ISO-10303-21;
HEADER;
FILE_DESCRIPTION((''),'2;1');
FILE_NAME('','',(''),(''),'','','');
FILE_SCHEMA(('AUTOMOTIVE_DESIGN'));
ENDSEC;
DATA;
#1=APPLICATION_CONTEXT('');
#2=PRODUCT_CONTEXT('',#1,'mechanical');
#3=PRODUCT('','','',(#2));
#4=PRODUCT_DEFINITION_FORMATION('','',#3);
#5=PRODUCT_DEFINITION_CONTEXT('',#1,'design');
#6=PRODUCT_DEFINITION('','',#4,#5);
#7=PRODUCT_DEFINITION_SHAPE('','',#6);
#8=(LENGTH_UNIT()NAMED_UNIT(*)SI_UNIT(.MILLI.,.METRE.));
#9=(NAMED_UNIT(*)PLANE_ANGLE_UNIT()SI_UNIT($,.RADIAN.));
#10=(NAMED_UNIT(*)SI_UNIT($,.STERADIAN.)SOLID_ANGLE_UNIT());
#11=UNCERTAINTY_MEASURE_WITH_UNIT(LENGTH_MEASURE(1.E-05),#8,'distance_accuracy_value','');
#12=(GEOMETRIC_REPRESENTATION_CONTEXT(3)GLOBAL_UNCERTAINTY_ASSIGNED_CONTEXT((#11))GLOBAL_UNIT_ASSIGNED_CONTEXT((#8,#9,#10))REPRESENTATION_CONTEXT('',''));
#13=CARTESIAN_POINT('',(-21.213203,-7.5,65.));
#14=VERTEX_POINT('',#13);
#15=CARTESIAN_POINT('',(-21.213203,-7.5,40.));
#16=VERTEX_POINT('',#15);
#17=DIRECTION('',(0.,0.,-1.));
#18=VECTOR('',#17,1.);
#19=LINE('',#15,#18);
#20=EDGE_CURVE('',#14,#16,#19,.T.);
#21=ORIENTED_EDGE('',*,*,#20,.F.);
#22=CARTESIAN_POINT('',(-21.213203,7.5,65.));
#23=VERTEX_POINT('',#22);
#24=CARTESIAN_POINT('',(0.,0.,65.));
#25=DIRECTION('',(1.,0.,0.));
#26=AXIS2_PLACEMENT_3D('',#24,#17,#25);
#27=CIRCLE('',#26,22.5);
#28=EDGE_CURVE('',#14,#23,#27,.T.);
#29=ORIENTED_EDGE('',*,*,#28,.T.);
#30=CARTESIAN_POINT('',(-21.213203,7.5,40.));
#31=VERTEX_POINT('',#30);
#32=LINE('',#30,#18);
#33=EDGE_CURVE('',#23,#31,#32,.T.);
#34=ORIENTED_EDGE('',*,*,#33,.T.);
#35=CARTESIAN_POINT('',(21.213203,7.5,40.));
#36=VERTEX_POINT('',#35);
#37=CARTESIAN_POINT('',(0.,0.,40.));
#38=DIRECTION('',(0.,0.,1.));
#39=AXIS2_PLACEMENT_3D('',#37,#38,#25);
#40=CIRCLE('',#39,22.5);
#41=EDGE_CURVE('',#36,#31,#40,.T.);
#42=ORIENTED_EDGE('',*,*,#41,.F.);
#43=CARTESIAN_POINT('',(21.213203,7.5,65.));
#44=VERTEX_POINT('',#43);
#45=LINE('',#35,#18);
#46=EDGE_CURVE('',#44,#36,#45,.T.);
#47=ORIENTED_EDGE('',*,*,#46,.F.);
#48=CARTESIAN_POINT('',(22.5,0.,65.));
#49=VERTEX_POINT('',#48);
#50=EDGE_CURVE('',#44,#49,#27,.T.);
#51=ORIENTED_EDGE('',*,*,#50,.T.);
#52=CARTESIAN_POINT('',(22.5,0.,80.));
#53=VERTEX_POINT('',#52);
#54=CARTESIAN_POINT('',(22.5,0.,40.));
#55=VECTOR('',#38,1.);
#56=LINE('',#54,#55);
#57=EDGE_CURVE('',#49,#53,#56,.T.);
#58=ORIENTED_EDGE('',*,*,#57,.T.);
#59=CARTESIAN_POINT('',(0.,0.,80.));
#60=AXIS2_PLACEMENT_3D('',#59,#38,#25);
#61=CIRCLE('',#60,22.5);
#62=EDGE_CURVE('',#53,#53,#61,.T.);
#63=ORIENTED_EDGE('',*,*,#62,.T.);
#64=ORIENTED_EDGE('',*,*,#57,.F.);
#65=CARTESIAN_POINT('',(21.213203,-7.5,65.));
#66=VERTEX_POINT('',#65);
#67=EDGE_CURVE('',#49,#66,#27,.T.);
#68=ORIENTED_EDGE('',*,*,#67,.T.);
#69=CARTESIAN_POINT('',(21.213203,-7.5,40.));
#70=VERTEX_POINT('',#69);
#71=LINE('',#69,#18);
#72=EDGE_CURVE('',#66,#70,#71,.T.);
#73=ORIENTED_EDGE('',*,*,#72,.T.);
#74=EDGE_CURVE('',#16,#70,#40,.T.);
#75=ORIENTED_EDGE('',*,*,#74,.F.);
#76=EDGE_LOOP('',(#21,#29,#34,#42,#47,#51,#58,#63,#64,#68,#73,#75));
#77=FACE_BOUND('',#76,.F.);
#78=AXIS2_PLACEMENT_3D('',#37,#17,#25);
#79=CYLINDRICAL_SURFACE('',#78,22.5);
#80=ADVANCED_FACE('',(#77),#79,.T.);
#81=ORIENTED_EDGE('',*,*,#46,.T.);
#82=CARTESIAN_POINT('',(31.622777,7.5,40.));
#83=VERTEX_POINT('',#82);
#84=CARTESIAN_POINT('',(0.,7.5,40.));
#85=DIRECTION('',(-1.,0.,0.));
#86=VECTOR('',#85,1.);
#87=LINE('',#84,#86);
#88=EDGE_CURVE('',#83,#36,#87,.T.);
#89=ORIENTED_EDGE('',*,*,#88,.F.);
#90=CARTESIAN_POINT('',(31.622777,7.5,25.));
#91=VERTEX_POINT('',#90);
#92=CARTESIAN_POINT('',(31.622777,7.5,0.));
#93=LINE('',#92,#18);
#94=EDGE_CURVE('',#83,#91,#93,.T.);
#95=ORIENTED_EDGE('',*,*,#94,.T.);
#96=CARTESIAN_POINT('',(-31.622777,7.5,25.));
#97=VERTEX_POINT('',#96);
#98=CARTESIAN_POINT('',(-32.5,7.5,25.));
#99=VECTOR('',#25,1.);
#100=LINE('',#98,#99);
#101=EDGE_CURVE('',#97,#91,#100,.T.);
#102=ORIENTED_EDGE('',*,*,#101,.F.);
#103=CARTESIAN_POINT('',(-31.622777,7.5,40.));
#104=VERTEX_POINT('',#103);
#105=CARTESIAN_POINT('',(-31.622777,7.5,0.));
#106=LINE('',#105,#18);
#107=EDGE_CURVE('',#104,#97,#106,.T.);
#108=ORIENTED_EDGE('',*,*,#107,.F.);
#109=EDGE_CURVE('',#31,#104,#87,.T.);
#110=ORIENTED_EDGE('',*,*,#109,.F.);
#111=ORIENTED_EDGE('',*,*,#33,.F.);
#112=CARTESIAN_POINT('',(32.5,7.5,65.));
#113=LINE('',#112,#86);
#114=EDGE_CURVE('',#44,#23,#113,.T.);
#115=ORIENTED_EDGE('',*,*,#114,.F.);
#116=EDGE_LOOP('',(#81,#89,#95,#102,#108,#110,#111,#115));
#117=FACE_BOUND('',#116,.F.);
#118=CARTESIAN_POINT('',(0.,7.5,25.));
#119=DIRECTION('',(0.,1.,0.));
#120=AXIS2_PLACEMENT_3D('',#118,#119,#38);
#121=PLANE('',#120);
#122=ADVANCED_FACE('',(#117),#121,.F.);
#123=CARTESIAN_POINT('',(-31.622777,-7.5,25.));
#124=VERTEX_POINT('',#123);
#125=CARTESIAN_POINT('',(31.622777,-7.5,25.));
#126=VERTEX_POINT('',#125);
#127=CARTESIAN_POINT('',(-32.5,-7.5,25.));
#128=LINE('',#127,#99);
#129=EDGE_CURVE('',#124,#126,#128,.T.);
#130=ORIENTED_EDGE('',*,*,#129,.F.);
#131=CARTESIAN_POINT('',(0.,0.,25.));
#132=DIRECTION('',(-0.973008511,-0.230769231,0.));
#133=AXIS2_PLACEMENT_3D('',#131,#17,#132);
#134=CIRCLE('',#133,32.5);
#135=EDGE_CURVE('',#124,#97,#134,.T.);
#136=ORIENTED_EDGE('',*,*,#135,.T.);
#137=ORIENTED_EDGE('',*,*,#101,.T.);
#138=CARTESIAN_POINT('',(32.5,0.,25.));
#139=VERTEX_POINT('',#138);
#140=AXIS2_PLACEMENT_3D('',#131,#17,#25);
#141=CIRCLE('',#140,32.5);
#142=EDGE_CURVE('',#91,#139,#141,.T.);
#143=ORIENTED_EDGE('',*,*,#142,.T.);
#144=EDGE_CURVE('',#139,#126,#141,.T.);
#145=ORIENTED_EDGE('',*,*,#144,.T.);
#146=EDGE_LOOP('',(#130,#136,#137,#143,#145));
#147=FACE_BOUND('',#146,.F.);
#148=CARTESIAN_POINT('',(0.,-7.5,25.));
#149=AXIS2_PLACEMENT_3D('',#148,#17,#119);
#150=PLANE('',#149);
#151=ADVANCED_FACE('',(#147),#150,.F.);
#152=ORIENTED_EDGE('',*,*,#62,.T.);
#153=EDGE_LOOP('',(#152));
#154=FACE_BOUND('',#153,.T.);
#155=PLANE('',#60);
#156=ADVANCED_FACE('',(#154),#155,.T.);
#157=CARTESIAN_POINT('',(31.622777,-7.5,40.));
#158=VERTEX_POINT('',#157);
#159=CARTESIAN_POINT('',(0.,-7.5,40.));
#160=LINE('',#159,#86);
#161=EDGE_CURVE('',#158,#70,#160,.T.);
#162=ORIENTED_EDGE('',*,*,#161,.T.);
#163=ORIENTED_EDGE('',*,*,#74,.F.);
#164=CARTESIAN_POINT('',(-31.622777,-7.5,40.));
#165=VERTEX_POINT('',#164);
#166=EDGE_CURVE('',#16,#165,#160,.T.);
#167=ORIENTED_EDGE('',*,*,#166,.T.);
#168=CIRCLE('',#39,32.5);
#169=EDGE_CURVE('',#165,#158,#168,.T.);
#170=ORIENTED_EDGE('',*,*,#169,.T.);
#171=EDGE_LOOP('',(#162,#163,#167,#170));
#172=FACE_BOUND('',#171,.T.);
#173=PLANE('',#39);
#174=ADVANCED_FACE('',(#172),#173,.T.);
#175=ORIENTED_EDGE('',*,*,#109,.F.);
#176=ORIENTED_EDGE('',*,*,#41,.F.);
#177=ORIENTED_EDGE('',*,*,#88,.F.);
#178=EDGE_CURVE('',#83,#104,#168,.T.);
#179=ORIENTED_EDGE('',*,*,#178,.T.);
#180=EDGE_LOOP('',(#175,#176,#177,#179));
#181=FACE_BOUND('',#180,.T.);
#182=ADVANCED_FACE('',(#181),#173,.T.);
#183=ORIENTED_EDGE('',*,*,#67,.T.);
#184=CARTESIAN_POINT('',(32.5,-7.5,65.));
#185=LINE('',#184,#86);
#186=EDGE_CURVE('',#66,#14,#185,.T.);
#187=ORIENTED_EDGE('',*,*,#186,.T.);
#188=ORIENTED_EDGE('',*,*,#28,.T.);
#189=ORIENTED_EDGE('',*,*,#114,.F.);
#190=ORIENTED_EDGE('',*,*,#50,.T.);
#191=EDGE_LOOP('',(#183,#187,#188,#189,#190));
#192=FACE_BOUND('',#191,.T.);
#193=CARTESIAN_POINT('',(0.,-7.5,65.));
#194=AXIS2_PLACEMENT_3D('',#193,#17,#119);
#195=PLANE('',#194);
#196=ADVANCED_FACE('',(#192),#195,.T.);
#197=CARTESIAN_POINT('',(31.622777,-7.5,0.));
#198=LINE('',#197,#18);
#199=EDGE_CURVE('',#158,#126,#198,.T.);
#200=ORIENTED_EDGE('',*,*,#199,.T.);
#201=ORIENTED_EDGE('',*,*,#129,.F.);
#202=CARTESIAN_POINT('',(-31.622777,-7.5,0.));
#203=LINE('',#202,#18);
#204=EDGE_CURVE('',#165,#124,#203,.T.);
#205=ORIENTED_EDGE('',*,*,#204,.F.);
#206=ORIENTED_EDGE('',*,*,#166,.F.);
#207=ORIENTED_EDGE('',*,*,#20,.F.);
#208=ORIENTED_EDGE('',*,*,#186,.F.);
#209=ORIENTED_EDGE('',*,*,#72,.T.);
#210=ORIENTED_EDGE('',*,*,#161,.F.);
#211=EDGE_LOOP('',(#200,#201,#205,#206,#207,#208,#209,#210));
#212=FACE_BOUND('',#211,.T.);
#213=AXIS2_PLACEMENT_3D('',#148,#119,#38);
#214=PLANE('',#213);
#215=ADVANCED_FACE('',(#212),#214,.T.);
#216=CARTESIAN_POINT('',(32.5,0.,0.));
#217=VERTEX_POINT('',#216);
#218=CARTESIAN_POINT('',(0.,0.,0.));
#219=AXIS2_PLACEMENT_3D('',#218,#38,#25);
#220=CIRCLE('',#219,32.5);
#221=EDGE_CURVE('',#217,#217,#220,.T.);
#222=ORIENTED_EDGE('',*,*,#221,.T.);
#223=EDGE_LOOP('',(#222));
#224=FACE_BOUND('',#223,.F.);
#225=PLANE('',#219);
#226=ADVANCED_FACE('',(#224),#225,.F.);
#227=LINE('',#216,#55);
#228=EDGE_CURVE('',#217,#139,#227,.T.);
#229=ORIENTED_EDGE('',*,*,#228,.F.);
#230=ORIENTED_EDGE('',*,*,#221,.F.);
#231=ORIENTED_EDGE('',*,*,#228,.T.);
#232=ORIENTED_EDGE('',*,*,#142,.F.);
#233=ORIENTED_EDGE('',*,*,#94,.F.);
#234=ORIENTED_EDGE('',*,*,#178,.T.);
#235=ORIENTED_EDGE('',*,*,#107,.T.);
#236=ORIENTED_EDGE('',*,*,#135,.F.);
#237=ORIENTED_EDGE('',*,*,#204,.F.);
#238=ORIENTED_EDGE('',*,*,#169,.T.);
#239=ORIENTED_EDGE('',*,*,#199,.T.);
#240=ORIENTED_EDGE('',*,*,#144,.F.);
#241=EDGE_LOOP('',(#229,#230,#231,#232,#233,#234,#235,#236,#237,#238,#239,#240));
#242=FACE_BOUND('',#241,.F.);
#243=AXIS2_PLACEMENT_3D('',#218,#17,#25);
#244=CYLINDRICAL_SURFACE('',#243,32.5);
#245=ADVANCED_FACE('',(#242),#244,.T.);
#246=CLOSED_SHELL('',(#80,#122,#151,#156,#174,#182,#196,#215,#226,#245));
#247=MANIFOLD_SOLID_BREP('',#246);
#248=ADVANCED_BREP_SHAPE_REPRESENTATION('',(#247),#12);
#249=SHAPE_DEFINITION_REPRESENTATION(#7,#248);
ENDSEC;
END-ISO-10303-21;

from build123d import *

# Parameters (mm, degrees)
F0_R     = 32.5
F1_DEPTH = 40
F2_R     = 22.5
F3_DEPTH = 40
F4_W     = 15
F4_H     = 40
F5_DEPTH = 32.5


with BuildPart() as f1:
    # F0 (on Top) → F1 (new body)
    with BuildSketch(Plane.XY):
        Circle(F0_R)
    extrude(amount=F1_DEPTH)

    # F2 (on face) → F3 (join)
    with BuildSketch(Plane.XY.offset(40)):
        Circle(F2_R)
    extrude(amount=F3_DEPTH)

    # F4 (on Right) → F5 (cut, symmetric)
    with BuildSketch(Plane.YZ):
        with Locations((0, 45)):
            Rectangle(F4_W, F4_H)
    extrude(amount=F5_DEPTH, both=True, mode=Mode.SUBTRACT)


solid = f1.part
